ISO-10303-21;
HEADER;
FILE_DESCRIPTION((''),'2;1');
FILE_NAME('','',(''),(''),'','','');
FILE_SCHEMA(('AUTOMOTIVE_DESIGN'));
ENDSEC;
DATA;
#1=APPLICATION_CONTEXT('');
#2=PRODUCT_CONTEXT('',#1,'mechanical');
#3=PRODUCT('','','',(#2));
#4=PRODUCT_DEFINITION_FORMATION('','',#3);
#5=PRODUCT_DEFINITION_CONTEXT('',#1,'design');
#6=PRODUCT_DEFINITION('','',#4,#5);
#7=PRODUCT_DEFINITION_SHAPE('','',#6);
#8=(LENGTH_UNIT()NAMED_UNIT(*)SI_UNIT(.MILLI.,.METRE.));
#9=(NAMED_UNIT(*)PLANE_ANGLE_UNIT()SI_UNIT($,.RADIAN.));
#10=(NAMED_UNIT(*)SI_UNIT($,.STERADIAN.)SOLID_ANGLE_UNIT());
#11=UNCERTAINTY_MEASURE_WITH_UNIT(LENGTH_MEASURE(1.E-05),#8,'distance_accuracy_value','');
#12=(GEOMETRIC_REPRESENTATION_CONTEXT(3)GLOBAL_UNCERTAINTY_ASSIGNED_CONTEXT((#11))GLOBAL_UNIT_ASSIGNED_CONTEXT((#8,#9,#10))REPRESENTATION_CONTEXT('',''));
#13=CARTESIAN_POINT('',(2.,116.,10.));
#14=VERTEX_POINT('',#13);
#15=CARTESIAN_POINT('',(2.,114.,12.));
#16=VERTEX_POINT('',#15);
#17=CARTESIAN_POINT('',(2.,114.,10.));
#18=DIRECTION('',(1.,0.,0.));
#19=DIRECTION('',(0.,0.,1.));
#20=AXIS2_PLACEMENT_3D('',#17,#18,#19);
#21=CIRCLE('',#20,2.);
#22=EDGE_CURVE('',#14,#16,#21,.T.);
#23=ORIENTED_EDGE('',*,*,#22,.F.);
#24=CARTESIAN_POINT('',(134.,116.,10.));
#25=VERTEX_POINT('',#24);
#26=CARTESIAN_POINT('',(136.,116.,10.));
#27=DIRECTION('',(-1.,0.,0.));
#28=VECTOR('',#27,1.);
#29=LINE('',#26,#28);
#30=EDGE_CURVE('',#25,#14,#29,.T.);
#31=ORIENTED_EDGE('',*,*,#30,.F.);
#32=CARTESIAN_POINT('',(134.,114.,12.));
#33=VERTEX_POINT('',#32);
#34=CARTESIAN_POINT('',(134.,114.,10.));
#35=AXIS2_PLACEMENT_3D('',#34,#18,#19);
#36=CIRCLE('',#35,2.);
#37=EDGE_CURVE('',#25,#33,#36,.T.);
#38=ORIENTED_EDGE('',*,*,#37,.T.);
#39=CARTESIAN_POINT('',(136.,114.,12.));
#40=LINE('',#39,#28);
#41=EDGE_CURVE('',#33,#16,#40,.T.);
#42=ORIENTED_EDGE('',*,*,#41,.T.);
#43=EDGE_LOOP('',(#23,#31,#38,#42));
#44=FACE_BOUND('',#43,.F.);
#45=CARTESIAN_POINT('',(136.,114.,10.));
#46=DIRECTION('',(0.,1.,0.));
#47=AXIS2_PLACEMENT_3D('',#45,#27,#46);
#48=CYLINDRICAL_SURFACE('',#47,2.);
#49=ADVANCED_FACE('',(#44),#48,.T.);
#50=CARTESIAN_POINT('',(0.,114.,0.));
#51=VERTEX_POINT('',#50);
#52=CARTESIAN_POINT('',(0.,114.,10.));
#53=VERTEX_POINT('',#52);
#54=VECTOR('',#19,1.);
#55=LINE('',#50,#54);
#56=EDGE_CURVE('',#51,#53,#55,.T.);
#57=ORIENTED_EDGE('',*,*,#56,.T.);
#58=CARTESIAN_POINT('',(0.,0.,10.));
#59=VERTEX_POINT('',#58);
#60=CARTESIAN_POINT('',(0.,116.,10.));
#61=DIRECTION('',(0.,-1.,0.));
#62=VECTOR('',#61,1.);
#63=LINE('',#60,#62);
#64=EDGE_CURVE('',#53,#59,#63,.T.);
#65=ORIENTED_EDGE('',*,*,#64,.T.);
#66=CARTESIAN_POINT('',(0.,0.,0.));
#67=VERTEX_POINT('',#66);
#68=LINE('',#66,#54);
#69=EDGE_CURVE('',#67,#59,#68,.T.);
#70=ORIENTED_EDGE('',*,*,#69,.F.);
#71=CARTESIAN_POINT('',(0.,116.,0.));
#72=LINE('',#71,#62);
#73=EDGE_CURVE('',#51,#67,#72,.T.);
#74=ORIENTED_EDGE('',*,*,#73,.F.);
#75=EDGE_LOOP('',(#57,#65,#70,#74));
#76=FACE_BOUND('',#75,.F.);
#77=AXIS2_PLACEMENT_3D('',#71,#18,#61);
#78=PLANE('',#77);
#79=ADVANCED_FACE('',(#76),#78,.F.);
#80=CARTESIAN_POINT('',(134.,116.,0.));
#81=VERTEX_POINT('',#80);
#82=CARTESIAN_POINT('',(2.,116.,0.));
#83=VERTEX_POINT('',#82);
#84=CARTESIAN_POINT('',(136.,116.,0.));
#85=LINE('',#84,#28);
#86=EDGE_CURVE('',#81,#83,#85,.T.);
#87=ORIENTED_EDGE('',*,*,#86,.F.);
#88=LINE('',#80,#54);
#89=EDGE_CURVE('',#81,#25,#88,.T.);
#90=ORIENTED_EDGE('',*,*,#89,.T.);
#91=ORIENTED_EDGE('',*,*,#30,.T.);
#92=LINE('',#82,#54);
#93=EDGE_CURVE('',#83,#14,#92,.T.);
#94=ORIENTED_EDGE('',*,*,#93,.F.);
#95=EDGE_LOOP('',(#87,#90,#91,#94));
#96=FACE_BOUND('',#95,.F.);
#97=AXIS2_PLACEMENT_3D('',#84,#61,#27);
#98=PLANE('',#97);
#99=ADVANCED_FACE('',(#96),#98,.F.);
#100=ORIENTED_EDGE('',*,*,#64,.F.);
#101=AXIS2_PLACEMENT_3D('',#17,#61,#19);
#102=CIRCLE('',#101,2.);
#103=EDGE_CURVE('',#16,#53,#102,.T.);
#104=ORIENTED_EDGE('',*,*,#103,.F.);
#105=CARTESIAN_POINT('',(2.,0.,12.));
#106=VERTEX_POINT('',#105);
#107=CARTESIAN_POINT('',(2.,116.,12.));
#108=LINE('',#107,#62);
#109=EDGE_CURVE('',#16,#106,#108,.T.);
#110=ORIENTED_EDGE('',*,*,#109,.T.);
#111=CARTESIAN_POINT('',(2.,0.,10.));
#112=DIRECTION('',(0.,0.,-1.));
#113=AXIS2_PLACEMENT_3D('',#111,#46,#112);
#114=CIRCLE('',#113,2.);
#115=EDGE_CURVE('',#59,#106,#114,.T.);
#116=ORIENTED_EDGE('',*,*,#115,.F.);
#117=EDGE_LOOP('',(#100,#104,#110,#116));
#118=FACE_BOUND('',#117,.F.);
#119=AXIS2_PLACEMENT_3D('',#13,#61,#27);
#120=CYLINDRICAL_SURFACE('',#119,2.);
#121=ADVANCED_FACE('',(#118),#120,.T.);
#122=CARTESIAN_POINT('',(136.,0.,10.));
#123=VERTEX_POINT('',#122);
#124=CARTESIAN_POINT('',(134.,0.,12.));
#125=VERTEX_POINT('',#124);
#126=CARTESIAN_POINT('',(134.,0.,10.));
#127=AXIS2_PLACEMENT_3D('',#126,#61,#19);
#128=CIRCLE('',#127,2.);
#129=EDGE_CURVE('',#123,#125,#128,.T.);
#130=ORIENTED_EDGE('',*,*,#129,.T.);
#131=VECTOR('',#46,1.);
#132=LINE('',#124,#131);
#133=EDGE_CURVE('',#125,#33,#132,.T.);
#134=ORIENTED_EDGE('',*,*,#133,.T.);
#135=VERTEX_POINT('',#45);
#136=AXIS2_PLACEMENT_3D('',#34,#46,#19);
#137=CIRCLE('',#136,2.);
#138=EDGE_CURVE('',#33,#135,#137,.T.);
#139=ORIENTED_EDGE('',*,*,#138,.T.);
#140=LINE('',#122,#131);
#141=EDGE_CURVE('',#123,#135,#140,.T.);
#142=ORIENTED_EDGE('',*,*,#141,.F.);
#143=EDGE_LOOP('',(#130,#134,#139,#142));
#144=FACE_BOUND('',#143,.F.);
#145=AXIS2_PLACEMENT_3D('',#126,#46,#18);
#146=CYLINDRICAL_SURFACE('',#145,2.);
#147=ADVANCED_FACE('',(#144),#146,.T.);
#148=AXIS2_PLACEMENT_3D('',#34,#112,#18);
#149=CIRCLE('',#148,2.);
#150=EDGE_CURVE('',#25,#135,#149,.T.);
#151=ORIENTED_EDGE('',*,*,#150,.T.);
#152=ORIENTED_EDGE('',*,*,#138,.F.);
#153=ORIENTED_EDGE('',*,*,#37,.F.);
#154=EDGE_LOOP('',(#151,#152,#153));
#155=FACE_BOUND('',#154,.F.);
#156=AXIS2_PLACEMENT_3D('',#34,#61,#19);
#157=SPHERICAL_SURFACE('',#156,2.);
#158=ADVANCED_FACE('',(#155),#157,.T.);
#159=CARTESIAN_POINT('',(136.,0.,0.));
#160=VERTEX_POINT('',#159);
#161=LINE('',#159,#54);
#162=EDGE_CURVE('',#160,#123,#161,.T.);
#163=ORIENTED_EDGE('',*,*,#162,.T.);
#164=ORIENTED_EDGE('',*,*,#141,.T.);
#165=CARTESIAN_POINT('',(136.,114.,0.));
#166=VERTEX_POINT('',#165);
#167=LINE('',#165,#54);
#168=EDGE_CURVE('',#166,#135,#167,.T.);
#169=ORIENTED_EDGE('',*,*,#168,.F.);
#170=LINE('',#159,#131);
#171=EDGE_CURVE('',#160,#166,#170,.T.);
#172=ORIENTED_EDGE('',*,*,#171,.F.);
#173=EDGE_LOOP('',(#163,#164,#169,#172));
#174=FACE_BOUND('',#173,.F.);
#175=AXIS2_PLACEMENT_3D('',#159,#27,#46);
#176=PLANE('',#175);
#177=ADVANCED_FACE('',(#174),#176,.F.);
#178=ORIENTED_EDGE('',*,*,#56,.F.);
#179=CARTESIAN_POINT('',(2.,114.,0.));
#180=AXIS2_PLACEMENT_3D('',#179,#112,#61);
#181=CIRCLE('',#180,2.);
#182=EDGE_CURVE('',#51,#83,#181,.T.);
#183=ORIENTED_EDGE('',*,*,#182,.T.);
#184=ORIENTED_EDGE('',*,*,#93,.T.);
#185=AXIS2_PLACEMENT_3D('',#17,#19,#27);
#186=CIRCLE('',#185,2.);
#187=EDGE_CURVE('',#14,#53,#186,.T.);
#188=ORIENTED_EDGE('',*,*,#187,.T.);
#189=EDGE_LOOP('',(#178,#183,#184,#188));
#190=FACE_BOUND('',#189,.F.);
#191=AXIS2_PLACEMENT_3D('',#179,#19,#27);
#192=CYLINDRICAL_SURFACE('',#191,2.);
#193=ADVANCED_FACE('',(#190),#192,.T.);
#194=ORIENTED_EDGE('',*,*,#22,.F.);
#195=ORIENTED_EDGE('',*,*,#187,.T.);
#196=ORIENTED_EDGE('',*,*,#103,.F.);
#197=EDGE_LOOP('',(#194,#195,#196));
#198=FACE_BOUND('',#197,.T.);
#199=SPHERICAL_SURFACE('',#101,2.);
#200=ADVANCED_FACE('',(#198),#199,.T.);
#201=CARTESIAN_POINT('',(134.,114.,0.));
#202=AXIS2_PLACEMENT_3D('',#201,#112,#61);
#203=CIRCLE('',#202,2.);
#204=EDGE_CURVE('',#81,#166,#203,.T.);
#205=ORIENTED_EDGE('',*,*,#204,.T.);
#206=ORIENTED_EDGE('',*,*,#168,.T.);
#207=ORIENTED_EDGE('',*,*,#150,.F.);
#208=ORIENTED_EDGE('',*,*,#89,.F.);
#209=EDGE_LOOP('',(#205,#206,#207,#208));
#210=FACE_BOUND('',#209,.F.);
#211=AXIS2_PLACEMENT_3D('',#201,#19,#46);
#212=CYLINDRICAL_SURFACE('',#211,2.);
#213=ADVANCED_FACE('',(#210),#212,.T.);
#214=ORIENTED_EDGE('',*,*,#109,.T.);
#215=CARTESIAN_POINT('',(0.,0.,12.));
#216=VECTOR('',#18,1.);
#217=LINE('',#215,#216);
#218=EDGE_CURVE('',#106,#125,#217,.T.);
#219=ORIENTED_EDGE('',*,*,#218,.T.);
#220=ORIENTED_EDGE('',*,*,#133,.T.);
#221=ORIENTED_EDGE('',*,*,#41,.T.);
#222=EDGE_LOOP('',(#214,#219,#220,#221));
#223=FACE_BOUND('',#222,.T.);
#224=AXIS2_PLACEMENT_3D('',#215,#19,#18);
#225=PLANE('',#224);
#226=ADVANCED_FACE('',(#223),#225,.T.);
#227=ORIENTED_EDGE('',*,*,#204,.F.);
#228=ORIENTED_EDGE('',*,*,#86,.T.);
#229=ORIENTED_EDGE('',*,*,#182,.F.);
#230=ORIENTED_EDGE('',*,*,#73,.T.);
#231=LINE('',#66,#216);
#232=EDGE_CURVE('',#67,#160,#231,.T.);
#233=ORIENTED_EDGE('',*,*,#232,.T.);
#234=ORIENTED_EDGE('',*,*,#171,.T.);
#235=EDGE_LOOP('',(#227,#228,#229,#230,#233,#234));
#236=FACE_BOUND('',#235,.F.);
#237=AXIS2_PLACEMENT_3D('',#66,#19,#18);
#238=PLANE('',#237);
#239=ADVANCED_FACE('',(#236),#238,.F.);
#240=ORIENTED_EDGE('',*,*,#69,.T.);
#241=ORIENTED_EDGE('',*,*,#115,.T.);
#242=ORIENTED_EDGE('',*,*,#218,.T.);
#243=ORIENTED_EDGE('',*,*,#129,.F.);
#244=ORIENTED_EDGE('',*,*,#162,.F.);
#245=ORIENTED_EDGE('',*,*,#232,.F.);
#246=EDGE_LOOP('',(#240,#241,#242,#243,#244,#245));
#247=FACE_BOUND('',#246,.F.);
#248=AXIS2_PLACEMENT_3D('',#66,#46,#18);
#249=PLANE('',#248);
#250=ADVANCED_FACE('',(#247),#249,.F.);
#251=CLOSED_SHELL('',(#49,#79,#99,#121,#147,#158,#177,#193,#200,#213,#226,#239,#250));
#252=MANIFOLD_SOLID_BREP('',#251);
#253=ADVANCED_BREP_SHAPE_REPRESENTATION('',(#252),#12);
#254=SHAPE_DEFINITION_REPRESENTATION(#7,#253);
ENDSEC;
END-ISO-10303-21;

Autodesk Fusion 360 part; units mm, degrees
sketch "Top Face Plate" plane through (0, 0, 0) normal (0, 0, 1) x (1, 0, 0)
  line L0 (0, 0) -> (136, 0)
  line L1 (136, 0) -> (136, 116)
  line L2 (136, 116) -> (0, 116)
  line L3 (0, 116) -> (0, 0)
  dimension "d5" = 136
  dimension "d6" = 116
extrude "Extrude1" add sketch "Top Face Plate" along normal blind 12
fillet "Fillet1" radius 2 5 edges at (0, 58, 12) (136, 58, 12) (68, 116, 12) (136, 116, 6) (0, 116, 6)
equation "block_size = 16 mm" comment "The size of the blocks used for the dimensions of the Minecraft Pig."
equation "pine_thickness = 12 mm" comment "The thickness of the pine boards used for the Minecraft Pig's body."
equation "top_face_plate_length = 8 * block_size - pine_thickness" comment "The length of the Top Face Plate that makes up the Minecraft Pig's face."
equation "top_face_plate_width = 10 * block_size - 2 * pine_thickness" comment "The width of the Top Face Plate that makes up the Minecraft Pig's face."
equation "d5 = top_face_plate_width"
equation "d6 = top_face_plate_length"
equation "d7 = pine_thickness"
equation "fillet_radius = 2 mm" comment "The radius of the fillets applied to the Top Face Plate."
equation "d11 = fillet_radius"
